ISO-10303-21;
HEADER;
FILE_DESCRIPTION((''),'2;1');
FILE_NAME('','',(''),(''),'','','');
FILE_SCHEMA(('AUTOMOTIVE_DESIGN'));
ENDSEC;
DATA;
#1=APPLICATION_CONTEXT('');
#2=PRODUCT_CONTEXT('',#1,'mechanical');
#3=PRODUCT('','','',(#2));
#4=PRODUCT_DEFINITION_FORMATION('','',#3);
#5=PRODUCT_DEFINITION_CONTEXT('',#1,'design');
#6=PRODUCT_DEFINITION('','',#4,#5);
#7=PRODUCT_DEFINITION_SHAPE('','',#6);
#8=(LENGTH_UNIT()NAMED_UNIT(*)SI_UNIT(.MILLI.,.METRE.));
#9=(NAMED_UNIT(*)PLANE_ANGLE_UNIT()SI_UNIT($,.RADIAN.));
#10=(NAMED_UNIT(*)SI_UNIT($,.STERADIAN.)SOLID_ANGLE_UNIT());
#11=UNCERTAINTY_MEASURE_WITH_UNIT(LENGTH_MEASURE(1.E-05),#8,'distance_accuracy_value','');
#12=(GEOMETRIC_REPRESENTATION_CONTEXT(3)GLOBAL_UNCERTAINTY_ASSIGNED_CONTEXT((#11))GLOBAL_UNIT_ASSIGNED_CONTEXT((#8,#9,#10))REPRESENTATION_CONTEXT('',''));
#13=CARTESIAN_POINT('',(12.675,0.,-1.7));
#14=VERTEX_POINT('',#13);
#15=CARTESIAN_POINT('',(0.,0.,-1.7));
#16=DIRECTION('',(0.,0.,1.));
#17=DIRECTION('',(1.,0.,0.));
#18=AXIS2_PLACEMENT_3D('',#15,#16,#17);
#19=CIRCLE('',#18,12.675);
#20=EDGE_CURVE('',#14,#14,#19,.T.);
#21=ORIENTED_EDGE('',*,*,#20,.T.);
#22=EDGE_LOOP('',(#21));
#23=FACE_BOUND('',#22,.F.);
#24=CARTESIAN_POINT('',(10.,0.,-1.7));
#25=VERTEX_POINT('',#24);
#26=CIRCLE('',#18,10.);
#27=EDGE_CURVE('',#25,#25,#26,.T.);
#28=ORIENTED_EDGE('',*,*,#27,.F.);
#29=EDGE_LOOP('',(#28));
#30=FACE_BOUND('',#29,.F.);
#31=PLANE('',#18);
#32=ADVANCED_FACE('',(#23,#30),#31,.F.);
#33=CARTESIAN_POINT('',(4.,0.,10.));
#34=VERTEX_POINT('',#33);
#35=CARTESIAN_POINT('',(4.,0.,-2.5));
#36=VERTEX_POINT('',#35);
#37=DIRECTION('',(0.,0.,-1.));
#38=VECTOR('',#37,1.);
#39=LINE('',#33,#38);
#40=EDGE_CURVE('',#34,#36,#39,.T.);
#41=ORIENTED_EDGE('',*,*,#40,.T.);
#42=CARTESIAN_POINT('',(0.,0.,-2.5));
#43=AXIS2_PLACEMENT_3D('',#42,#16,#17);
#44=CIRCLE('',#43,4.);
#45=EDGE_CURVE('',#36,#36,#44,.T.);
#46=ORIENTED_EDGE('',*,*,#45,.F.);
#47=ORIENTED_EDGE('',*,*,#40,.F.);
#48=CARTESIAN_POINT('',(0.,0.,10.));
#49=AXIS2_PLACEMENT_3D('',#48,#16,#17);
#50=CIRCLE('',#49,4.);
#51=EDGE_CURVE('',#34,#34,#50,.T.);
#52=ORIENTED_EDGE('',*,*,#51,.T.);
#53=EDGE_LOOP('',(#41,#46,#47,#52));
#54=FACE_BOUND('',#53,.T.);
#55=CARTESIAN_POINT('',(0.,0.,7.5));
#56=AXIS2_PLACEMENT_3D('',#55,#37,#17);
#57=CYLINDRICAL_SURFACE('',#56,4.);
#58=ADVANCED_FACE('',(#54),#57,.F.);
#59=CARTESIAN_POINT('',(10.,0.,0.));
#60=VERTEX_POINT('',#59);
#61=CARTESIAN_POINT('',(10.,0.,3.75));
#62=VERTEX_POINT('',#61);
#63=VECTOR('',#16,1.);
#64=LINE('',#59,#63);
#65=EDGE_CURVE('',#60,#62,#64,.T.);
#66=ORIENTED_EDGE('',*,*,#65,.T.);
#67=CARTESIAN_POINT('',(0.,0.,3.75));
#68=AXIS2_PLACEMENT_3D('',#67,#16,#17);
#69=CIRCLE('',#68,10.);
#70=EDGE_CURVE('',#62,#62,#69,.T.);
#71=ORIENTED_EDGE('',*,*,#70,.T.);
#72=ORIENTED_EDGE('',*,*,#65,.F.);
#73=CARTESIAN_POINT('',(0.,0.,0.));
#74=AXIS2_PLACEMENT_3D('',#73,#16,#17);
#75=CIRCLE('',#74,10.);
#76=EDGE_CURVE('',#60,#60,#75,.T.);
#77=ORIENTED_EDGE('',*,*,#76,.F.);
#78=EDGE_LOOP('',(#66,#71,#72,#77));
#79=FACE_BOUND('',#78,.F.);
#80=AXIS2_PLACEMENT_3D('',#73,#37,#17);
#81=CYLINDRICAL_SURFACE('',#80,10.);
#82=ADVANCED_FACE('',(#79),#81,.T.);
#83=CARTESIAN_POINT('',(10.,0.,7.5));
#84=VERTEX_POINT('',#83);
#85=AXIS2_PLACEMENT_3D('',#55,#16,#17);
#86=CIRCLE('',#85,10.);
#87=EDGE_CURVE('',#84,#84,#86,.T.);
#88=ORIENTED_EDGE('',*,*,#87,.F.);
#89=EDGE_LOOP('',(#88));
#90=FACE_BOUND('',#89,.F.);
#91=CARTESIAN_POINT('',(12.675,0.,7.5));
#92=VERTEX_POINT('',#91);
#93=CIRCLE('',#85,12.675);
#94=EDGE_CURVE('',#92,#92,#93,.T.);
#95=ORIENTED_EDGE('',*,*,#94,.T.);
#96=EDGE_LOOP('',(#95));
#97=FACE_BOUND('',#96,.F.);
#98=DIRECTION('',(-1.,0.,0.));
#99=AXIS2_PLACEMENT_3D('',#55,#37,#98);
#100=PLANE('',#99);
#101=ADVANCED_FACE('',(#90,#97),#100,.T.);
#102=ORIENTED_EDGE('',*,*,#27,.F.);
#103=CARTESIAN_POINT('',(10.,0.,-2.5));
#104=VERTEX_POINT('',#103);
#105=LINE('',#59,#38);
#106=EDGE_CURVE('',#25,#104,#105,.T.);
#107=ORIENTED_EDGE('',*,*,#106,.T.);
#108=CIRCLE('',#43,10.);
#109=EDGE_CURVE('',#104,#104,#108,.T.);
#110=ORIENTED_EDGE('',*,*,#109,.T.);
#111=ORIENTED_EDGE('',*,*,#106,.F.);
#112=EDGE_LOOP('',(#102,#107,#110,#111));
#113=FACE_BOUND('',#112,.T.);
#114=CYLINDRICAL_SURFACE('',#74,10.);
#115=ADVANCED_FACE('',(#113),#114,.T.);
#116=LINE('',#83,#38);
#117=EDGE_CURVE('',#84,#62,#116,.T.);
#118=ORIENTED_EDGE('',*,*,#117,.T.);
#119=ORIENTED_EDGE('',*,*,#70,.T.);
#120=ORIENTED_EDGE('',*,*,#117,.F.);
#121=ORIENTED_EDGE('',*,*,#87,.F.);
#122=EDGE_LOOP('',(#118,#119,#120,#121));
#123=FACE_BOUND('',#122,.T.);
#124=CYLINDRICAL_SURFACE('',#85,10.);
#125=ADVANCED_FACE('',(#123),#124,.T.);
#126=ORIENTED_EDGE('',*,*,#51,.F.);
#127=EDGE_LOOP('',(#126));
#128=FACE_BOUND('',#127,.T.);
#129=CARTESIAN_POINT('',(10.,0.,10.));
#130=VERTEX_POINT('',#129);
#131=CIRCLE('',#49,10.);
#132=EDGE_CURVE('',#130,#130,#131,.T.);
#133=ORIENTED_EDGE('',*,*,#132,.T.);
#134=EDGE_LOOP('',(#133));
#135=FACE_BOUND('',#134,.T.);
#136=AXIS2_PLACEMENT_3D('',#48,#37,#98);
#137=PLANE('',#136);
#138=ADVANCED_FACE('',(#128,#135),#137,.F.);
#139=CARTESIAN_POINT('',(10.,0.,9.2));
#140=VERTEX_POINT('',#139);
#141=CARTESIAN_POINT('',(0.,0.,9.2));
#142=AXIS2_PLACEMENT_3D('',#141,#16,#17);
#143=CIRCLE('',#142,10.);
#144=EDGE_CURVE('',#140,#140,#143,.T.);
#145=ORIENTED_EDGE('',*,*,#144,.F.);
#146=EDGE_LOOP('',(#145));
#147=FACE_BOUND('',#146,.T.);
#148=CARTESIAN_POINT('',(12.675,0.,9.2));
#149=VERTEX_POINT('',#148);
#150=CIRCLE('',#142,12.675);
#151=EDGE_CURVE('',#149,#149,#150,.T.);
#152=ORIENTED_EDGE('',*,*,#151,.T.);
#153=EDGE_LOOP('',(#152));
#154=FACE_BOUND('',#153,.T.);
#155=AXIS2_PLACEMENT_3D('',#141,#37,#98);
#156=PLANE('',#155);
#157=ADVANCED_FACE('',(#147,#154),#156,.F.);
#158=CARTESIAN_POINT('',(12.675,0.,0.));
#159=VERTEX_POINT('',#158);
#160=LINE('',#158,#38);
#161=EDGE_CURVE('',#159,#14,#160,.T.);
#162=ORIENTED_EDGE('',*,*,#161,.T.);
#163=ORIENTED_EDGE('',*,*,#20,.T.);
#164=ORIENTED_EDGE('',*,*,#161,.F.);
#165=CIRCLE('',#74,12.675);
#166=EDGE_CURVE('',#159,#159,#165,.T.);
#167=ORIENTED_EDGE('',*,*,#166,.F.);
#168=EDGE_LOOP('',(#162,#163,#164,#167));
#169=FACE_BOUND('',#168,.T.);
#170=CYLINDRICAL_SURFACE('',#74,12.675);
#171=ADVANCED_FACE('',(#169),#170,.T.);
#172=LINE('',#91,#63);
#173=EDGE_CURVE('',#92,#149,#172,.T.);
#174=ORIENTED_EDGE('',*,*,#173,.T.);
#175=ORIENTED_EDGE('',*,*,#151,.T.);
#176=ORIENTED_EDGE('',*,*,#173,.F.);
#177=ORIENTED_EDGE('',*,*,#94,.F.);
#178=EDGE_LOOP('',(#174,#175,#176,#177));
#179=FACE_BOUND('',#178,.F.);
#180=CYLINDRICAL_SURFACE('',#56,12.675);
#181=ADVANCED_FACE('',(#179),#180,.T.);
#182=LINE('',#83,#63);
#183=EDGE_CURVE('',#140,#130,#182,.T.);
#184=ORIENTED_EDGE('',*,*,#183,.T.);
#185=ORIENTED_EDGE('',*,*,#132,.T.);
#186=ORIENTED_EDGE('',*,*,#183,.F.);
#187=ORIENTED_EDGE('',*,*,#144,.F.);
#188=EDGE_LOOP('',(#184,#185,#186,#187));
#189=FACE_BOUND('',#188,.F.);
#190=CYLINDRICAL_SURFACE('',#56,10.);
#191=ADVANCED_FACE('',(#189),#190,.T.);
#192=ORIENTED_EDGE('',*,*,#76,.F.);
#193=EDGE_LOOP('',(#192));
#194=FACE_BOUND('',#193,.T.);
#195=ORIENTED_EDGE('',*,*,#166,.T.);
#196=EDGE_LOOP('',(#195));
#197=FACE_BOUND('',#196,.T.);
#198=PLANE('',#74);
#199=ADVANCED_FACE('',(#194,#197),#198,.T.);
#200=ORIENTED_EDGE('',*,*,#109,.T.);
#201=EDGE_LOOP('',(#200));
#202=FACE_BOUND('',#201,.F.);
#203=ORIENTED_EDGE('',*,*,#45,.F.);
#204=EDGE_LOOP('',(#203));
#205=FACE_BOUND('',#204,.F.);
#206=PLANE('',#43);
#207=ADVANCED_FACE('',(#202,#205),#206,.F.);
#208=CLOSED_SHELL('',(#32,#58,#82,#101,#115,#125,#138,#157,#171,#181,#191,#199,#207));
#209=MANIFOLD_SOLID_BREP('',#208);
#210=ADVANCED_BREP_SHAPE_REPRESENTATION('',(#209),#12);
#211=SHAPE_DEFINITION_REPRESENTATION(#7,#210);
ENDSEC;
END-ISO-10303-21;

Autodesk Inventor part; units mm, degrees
ref_plane "YZ Plane" through (0, 0, 0) normal (1, 0, 0) x (0, 1, 0)
ref_plane "XZ Plane" through (0, 0, 0) normal (0, 1, 0) x (-1, 0, 0)
ref_plane "XY Plane" through (0, 0, 0) normal (0, 0, 1) x (1, 0, 0)
sketch "スケッチ1" plane through (0, 0, 0) normal (0, 0, 1) x (1, 0, 0)
  circle A0 centre (0, 0) radius 12.675
  circle A1 centre (0, 0) radius 4
  circle A2 centre (0, 0) radius 10
  circle A3 centre (0, 0) radius 16
  dimension "d0" = 25.35
  dimension "d1" = 8
  dimension "d2" = 20
  dimension "d3" = 32
extrude "押し出し1" add sketch "スケッチ1" along normal blind 3.75 contours A2
extrude "押し出し2" add sketch "スケッチ1" against normal blind 1.7 contours A0
extrude "押し出し3" add sketch "スケッチ1" against normal blind 2.5 contours A2
mirror "ミラー1" about plane through (0, 0, 3.75) normal (0, 0, 1) of "押し出し1", "押し出し2", "押し出し3"
properties part number "timing _pulley_7.5_8"
